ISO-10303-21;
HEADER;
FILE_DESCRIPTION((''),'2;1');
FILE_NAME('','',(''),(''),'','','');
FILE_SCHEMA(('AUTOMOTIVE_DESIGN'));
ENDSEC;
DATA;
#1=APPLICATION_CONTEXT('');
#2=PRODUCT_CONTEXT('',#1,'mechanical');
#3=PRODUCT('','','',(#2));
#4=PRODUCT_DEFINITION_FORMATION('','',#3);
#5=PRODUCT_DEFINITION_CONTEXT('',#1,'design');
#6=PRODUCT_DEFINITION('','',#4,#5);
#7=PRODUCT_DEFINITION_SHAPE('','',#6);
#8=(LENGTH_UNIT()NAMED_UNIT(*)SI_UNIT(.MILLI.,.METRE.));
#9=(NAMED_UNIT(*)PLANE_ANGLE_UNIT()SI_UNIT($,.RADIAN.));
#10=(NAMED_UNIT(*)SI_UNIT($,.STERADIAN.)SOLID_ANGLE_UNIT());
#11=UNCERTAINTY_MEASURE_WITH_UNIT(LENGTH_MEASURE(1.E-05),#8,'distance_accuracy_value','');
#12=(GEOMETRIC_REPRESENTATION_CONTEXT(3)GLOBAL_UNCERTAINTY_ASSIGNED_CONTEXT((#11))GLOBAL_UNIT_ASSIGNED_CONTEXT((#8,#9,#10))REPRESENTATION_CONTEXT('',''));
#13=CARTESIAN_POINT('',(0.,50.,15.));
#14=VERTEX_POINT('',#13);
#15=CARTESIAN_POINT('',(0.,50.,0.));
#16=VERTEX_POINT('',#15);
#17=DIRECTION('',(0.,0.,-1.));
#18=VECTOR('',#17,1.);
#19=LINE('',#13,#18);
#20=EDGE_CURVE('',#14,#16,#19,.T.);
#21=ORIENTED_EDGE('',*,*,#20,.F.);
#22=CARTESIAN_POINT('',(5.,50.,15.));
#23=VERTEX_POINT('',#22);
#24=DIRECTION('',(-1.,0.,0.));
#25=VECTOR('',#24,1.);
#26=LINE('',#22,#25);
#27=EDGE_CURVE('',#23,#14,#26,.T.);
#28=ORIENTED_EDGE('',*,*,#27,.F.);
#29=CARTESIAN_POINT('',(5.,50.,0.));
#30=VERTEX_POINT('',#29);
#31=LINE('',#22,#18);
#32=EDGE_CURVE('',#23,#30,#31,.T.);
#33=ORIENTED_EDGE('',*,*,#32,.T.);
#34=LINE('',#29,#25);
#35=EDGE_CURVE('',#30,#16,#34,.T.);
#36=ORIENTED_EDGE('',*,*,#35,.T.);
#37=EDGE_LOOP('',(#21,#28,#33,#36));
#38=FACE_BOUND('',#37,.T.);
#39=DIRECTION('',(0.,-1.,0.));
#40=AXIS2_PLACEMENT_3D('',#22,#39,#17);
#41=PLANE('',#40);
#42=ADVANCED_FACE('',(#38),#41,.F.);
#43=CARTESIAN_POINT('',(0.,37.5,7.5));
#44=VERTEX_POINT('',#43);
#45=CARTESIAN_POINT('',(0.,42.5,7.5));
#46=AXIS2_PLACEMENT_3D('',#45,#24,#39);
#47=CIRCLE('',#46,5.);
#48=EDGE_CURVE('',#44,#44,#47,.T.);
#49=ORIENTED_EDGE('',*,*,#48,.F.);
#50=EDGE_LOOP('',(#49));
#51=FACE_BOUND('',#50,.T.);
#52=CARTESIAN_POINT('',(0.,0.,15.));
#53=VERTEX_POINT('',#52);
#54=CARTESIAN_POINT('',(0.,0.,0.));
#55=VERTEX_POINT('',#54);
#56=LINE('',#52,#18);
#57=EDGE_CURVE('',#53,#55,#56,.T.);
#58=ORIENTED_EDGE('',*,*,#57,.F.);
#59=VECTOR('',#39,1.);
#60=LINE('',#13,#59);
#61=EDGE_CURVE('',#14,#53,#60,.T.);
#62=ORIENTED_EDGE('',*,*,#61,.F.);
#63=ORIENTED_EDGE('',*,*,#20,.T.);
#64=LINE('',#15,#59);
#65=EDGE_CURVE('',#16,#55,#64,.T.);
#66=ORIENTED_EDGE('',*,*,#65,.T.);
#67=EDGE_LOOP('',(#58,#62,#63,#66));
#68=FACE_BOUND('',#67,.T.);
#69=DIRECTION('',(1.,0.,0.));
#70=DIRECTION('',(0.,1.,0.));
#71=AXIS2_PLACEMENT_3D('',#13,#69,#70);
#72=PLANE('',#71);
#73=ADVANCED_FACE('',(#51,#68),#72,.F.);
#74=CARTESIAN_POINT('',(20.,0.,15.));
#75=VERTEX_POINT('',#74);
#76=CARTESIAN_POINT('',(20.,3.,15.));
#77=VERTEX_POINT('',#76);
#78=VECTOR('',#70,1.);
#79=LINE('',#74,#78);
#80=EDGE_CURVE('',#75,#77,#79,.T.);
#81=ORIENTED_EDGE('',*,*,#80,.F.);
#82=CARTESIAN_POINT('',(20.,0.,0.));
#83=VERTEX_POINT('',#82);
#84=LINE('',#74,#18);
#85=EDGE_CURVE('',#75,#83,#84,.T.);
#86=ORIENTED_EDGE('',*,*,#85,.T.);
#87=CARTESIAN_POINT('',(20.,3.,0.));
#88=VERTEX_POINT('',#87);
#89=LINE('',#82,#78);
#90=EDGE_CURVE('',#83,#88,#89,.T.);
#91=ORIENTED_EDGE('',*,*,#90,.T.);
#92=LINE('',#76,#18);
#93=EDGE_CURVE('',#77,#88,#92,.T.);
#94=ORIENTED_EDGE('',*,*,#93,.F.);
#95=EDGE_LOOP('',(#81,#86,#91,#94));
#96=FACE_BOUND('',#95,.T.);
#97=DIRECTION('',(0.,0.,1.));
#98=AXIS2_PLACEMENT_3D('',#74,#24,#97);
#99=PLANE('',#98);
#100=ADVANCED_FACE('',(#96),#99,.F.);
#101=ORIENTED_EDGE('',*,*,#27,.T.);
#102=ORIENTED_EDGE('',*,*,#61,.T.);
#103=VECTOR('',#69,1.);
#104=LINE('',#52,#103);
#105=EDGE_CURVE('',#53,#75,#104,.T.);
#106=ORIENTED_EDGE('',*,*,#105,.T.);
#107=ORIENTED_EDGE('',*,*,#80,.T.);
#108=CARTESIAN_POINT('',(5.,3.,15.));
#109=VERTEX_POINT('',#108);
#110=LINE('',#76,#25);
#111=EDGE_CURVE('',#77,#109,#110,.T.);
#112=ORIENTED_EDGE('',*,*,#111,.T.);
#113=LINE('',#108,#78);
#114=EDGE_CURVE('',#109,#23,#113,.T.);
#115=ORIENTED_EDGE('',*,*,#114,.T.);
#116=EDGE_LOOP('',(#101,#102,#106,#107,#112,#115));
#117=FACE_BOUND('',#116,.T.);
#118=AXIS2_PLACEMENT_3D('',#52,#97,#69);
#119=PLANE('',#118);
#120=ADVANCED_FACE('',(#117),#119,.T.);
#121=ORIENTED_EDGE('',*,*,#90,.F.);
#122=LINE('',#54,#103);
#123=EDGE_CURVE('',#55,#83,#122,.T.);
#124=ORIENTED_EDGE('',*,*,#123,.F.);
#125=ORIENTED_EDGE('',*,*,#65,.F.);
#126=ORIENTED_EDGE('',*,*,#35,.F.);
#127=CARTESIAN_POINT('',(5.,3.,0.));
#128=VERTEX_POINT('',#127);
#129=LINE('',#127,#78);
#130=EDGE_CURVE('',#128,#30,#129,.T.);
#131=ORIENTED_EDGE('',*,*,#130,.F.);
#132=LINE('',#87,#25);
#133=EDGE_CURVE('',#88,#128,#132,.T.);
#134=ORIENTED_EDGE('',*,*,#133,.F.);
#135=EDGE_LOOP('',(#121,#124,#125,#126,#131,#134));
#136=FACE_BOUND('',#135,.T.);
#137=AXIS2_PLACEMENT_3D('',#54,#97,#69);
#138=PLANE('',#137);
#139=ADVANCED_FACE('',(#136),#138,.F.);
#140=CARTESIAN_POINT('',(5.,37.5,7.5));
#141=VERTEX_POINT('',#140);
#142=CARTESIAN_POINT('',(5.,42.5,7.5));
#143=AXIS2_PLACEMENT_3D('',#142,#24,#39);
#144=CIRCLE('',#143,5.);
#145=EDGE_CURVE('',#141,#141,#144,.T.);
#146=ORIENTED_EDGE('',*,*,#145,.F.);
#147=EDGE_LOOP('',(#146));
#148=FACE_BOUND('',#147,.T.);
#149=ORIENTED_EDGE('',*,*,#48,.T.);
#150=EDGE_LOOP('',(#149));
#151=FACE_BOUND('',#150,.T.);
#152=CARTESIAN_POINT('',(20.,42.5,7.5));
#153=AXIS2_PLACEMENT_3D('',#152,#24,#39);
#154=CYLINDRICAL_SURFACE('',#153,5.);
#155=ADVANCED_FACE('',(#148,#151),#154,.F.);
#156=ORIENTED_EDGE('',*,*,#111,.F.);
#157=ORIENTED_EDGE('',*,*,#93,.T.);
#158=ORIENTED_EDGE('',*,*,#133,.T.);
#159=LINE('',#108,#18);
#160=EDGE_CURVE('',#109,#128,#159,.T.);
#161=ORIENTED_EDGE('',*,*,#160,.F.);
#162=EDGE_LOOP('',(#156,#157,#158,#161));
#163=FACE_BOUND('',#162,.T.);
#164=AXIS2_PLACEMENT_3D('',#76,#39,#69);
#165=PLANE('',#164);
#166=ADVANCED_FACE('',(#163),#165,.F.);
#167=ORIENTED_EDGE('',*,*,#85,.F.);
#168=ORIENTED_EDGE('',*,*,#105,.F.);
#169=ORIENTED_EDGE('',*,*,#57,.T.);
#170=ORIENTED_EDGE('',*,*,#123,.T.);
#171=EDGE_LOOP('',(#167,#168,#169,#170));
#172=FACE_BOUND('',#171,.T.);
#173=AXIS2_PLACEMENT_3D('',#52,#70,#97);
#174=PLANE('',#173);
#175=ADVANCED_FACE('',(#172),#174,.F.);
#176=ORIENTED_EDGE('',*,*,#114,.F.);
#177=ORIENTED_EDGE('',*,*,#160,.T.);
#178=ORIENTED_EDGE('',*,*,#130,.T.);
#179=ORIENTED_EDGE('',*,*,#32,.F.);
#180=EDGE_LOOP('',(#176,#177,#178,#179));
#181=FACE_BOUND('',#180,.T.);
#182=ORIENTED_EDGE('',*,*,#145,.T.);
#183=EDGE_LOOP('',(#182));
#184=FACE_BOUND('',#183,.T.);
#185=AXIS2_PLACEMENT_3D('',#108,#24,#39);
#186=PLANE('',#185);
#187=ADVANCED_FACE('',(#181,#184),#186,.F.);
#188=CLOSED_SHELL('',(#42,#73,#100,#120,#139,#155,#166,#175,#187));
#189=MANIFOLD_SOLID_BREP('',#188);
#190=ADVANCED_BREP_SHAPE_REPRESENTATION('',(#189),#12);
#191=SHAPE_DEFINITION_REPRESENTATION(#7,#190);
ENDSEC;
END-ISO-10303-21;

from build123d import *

# Parameters (mm, degrees)
RESSALTO_EXTRUS_O1_DEPTH = 15
ESBO_O2_R                = 5
CORTE_EXTRUS_O1_DEPTH    = 21


with BuildPart() as part:
    # Esboço1 → Ressalto-extrusão1 (new body)
    with BuildSketch(Plane.XY):
        Polygon((0, 0), (20, 0), (20, 3), (5, 3), (5, 50), (0, 50), align=None)
    extrude(amount=RESSALTO_EXTRUS_O1_DEPTH)

    # Esboço2 → Corte-extrusão1 (cut, through all)
    with BuildSketch(Plane.ZY):
        with Locations((7.5, 42.5)):
            Circle(ESBO_O2_R)
    extrude(amount=-CORTE_EXTRUS_O1_DEPTH, mode=Mode.SUBTRACT)


solid = part.part
